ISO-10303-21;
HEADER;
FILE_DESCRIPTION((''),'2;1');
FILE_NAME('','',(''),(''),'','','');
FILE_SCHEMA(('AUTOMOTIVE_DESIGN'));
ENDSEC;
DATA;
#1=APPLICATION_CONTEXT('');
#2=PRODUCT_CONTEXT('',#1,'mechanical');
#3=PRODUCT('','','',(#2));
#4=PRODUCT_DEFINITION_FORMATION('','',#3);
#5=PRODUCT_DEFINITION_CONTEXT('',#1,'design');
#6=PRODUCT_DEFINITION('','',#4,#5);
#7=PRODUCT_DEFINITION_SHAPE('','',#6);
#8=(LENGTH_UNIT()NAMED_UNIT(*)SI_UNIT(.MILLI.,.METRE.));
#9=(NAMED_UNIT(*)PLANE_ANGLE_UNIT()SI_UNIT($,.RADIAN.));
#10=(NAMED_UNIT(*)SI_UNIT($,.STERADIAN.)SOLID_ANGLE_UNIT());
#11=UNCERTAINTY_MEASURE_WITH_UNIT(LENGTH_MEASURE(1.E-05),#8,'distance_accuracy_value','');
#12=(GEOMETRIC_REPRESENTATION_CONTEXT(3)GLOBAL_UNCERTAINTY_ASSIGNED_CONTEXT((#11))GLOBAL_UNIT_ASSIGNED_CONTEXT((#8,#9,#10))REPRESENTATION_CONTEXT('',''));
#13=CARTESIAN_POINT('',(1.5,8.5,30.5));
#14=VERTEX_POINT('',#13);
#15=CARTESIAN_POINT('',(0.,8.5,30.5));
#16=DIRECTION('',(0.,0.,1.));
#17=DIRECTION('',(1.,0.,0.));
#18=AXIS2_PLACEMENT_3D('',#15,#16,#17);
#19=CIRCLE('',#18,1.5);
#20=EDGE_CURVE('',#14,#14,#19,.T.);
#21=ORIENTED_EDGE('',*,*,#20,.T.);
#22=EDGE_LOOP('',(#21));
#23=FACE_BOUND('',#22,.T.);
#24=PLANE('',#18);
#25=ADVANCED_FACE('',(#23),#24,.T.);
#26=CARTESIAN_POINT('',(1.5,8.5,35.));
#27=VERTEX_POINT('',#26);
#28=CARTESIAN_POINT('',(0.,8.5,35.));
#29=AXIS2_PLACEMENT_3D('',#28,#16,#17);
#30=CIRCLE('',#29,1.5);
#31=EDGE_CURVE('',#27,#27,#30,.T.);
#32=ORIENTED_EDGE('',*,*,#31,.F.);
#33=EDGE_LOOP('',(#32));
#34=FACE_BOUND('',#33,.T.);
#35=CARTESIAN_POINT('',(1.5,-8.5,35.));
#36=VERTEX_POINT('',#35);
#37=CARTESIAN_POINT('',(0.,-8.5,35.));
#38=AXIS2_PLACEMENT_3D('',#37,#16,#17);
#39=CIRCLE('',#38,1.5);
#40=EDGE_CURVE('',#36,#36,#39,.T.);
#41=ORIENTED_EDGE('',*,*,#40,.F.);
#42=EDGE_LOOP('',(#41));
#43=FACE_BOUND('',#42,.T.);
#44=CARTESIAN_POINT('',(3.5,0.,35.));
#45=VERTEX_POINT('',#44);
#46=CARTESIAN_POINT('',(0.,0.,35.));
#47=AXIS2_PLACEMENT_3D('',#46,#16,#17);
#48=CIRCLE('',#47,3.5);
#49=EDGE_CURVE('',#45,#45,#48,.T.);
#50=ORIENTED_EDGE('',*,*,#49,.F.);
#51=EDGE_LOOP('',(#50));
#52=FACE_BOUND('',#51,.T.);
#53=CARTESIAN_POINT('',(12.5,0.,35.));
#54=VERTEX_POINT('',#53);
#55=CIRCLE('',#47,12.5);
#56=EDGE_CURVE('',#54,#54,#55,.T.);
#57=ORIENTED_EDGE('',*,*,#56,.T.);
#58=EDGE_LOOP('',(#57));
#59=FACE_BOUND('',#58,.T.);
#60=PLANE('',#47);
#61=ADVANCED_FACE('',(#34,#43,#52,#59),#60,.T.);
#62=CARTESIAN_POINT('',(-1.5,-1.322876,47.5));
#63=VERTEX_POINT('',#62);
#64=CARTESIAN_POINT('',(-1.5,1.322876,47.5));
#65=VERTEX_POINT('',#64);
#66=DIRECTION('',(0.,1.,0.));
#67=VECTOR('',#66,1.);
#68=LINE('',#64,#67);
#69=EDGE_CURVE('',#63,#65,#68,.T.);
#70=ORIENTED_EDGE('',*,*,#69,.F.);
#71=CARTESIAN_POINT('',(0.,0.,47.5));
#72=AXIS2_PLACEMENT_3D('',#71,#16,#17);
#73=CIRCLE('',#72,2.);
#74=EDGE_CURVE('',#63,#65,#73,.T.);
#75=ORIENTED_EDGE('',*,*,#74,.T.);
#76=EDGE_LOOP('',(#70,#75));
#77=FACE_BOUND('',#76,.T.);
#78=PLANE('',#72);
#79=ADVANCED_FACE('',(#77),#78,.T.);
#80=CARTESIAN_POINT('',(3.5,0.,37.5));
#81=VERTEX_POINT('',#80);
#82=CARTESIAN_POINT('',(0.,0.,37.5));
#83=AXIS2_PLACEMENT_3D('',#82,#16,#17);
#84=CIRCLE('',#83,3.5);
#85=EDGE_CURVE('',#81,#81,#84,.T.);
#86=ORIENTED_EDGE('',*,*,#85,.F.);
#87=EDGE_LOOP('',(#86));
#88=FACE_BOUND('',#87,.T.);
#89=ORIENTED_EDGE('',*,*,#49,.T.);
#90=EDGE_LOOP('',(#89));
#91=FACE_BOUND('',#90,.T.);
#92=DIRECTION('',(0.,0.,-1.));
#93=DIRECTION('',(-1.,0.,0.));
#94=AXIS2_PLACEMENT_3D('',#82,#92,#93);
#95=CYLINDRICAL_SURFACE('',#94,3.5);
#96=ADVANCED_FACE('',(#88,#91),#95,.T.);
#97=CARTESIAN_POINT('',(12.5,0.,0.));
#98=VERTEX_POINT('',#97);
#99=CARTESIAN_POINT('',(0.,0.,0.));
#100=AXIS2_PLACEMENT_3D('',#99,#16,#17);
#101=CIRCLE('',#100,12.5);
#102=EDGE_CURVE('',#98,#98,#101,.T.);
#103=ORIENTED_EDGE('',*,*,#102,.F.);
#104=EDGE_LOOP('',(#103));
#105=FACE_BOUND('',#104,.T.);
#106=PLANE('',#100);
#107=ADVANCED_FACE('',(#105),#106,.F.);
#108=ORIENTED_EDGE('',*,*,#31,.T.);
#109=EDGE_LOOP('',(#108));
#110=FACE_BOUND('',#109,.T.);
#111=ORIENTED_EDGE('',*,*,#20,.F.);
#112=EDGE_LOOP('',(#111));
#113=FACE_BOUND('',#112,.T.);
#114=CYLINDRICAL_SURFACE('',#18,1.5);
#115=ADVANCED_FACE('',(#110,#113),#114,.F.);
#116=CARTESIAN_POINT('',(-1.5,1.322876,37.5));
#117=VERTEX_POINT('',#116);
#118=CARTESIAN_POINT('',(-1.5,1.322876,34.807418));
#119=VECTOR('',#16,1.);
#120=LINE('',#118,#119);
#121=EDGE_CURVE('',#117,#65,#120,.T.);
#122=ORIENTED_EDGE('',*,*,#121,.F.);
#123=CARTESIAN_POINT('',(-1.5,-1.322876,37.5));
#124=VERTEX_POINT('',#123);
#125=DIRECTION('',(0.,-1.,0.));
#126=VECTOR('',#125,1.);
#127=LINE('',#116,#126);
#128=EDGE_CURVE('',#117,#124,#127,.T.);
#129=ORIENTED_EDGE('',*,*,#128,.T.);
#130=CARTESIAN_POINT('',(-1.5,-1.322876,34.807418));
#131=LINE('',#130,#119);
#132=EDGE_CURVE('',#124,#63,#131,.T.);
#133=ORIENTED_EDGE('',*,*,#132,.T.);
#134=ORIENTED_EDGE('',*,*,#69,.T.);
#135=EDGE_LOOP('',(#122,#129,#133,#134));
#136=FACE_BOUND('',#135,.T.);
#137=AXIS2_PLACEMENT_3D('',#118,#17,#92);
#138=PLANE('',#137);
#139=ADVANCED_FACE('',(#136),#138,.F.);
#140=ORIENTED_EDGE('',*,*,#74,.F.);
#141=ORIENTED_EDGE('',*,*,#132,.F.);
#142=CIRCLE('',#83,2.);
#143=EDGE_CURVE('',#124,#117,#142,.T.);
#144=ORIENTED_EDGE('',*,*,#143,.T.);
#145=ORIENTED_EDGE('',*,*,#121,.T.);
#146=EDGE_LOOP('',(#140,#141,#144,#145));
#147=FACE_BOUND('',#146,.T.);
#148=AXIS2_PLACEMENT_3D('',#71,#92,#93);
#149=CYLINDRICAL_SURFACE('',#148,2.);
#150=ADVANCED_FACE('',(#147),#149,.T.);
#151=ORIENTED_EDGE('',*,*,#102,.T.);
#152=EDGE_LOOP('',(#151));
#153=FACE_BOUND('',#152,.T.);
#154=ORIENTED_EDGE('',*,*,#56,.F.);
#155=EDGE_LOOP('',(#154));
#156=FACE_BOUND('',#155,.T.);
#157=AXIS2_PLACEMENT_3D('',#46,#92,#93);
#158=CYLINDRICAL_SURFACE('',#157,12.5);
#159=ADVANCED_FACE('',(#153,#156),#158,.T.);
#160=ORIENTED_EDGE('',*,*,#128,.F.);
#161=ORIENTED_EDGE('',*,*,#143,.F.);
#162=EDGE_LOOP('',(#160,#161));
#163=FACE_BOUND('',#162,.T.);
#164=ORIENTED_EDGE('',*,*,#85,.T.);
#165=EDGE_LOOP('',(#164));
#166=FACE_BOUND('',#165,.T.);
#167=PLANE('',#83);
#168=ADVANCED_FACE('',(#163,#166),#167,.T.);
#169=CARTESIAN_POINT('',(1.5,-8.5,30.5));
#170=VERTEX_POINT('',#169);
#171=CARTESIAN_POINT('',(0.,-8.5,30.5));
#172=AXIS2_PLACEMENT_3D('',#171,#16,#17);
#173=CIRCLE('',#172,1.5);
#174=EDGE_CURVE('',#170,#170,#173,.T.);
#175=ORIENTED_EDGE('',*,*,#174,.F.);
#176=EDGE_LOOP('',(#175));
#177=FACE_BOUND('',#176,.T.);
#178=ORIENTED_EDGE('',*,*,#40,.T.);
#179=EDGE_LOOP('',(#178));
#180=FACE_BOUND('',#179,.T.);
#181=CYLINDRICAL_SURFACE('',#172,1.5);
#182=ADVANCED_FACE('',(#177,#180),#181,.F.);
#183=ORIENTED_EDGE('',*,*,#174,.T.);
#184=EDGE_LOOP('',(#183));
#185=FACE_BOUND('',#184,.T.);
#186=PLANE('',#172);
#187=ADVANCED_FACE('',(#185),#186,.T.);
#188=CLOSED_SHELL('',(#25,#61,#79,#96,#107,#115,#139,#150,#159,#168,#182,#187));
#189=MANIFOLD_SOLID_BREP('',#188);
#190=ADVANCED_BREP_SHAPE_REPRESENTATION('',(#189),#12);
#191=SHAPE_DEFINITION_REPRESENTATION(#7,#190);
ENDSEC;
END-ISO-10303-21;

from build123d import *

# Parameters (mm, degrees)
SKETCH_1_R          = 12.5
EXTRUDE_1_DEPTH     = 35
SKETCH_2_R          = 3.5
EXTRUDE_2_DEPTH     = 2.5
SKETCH_3_R          = 2
EXTRUDE_3_DEPTH     = 10
CUT_EXTRUDE_START   = -10
CUT_EXTRUDE_1_DEPTH = 10
SKETCH_5_R          = 1.5
CUT_EXTRUDE_2_DEPTH = 4.5


with BuildPart() as part:
    # 草图1 → 凸台-拉伸1 (new body)
    with BuildSketch(Plane.XY):
        Circle(SKETCH_1_R)
    extrude(amount=EXTRUDE_1_DEPTH)

    # 草图2 → 凸台-拉伸2 (add)
    with BuildSketch(Plane.XY.offset(35)):
        Circle(SKETCH_2_R)
    extrude(amount=EXTRUDE_2_DEPTH)

    # 草图3 → 凸台-拉伸3 (add)
    with BuildSketch(Plane.XY.offset(37.5)):
        Circle(SKETCH_3_R)
    extrude(amount=EXTRUDE_3_DEPTH)

    # 草图4 → 切除-拉伸1 (cut)
    with BuildSketch(Plane.XY.offset(47.5).offset(CUT_EXTRUDE_START)):
        with BuildLine():
            Line((-1.5, 1.322875656), (-1.5, -1.322875656))
            ThreePointArc((-1.5, -1.322875656), (-2, 0), (-1.5, 1.322875656))
        make_face()
    extrude(amount=CUT_EXTRUDE_1_DEPTH, mode=Mode.SUBTRACT)

    # 草图5 → 切除-拉伸2 (cut)
    with BuildSketch(Plane.XY.offset(35)):
        with Locations((0, 8.5)):
            Circle(SKETCH_5_R)
        with Locations((0, -8.5)):
            Circle(SKETCH_5_R)
    extrude(amount=-CUT_EXTRUDE_2_DEPTH, mode=Mode.SUBTRACT)


solid = part.part
